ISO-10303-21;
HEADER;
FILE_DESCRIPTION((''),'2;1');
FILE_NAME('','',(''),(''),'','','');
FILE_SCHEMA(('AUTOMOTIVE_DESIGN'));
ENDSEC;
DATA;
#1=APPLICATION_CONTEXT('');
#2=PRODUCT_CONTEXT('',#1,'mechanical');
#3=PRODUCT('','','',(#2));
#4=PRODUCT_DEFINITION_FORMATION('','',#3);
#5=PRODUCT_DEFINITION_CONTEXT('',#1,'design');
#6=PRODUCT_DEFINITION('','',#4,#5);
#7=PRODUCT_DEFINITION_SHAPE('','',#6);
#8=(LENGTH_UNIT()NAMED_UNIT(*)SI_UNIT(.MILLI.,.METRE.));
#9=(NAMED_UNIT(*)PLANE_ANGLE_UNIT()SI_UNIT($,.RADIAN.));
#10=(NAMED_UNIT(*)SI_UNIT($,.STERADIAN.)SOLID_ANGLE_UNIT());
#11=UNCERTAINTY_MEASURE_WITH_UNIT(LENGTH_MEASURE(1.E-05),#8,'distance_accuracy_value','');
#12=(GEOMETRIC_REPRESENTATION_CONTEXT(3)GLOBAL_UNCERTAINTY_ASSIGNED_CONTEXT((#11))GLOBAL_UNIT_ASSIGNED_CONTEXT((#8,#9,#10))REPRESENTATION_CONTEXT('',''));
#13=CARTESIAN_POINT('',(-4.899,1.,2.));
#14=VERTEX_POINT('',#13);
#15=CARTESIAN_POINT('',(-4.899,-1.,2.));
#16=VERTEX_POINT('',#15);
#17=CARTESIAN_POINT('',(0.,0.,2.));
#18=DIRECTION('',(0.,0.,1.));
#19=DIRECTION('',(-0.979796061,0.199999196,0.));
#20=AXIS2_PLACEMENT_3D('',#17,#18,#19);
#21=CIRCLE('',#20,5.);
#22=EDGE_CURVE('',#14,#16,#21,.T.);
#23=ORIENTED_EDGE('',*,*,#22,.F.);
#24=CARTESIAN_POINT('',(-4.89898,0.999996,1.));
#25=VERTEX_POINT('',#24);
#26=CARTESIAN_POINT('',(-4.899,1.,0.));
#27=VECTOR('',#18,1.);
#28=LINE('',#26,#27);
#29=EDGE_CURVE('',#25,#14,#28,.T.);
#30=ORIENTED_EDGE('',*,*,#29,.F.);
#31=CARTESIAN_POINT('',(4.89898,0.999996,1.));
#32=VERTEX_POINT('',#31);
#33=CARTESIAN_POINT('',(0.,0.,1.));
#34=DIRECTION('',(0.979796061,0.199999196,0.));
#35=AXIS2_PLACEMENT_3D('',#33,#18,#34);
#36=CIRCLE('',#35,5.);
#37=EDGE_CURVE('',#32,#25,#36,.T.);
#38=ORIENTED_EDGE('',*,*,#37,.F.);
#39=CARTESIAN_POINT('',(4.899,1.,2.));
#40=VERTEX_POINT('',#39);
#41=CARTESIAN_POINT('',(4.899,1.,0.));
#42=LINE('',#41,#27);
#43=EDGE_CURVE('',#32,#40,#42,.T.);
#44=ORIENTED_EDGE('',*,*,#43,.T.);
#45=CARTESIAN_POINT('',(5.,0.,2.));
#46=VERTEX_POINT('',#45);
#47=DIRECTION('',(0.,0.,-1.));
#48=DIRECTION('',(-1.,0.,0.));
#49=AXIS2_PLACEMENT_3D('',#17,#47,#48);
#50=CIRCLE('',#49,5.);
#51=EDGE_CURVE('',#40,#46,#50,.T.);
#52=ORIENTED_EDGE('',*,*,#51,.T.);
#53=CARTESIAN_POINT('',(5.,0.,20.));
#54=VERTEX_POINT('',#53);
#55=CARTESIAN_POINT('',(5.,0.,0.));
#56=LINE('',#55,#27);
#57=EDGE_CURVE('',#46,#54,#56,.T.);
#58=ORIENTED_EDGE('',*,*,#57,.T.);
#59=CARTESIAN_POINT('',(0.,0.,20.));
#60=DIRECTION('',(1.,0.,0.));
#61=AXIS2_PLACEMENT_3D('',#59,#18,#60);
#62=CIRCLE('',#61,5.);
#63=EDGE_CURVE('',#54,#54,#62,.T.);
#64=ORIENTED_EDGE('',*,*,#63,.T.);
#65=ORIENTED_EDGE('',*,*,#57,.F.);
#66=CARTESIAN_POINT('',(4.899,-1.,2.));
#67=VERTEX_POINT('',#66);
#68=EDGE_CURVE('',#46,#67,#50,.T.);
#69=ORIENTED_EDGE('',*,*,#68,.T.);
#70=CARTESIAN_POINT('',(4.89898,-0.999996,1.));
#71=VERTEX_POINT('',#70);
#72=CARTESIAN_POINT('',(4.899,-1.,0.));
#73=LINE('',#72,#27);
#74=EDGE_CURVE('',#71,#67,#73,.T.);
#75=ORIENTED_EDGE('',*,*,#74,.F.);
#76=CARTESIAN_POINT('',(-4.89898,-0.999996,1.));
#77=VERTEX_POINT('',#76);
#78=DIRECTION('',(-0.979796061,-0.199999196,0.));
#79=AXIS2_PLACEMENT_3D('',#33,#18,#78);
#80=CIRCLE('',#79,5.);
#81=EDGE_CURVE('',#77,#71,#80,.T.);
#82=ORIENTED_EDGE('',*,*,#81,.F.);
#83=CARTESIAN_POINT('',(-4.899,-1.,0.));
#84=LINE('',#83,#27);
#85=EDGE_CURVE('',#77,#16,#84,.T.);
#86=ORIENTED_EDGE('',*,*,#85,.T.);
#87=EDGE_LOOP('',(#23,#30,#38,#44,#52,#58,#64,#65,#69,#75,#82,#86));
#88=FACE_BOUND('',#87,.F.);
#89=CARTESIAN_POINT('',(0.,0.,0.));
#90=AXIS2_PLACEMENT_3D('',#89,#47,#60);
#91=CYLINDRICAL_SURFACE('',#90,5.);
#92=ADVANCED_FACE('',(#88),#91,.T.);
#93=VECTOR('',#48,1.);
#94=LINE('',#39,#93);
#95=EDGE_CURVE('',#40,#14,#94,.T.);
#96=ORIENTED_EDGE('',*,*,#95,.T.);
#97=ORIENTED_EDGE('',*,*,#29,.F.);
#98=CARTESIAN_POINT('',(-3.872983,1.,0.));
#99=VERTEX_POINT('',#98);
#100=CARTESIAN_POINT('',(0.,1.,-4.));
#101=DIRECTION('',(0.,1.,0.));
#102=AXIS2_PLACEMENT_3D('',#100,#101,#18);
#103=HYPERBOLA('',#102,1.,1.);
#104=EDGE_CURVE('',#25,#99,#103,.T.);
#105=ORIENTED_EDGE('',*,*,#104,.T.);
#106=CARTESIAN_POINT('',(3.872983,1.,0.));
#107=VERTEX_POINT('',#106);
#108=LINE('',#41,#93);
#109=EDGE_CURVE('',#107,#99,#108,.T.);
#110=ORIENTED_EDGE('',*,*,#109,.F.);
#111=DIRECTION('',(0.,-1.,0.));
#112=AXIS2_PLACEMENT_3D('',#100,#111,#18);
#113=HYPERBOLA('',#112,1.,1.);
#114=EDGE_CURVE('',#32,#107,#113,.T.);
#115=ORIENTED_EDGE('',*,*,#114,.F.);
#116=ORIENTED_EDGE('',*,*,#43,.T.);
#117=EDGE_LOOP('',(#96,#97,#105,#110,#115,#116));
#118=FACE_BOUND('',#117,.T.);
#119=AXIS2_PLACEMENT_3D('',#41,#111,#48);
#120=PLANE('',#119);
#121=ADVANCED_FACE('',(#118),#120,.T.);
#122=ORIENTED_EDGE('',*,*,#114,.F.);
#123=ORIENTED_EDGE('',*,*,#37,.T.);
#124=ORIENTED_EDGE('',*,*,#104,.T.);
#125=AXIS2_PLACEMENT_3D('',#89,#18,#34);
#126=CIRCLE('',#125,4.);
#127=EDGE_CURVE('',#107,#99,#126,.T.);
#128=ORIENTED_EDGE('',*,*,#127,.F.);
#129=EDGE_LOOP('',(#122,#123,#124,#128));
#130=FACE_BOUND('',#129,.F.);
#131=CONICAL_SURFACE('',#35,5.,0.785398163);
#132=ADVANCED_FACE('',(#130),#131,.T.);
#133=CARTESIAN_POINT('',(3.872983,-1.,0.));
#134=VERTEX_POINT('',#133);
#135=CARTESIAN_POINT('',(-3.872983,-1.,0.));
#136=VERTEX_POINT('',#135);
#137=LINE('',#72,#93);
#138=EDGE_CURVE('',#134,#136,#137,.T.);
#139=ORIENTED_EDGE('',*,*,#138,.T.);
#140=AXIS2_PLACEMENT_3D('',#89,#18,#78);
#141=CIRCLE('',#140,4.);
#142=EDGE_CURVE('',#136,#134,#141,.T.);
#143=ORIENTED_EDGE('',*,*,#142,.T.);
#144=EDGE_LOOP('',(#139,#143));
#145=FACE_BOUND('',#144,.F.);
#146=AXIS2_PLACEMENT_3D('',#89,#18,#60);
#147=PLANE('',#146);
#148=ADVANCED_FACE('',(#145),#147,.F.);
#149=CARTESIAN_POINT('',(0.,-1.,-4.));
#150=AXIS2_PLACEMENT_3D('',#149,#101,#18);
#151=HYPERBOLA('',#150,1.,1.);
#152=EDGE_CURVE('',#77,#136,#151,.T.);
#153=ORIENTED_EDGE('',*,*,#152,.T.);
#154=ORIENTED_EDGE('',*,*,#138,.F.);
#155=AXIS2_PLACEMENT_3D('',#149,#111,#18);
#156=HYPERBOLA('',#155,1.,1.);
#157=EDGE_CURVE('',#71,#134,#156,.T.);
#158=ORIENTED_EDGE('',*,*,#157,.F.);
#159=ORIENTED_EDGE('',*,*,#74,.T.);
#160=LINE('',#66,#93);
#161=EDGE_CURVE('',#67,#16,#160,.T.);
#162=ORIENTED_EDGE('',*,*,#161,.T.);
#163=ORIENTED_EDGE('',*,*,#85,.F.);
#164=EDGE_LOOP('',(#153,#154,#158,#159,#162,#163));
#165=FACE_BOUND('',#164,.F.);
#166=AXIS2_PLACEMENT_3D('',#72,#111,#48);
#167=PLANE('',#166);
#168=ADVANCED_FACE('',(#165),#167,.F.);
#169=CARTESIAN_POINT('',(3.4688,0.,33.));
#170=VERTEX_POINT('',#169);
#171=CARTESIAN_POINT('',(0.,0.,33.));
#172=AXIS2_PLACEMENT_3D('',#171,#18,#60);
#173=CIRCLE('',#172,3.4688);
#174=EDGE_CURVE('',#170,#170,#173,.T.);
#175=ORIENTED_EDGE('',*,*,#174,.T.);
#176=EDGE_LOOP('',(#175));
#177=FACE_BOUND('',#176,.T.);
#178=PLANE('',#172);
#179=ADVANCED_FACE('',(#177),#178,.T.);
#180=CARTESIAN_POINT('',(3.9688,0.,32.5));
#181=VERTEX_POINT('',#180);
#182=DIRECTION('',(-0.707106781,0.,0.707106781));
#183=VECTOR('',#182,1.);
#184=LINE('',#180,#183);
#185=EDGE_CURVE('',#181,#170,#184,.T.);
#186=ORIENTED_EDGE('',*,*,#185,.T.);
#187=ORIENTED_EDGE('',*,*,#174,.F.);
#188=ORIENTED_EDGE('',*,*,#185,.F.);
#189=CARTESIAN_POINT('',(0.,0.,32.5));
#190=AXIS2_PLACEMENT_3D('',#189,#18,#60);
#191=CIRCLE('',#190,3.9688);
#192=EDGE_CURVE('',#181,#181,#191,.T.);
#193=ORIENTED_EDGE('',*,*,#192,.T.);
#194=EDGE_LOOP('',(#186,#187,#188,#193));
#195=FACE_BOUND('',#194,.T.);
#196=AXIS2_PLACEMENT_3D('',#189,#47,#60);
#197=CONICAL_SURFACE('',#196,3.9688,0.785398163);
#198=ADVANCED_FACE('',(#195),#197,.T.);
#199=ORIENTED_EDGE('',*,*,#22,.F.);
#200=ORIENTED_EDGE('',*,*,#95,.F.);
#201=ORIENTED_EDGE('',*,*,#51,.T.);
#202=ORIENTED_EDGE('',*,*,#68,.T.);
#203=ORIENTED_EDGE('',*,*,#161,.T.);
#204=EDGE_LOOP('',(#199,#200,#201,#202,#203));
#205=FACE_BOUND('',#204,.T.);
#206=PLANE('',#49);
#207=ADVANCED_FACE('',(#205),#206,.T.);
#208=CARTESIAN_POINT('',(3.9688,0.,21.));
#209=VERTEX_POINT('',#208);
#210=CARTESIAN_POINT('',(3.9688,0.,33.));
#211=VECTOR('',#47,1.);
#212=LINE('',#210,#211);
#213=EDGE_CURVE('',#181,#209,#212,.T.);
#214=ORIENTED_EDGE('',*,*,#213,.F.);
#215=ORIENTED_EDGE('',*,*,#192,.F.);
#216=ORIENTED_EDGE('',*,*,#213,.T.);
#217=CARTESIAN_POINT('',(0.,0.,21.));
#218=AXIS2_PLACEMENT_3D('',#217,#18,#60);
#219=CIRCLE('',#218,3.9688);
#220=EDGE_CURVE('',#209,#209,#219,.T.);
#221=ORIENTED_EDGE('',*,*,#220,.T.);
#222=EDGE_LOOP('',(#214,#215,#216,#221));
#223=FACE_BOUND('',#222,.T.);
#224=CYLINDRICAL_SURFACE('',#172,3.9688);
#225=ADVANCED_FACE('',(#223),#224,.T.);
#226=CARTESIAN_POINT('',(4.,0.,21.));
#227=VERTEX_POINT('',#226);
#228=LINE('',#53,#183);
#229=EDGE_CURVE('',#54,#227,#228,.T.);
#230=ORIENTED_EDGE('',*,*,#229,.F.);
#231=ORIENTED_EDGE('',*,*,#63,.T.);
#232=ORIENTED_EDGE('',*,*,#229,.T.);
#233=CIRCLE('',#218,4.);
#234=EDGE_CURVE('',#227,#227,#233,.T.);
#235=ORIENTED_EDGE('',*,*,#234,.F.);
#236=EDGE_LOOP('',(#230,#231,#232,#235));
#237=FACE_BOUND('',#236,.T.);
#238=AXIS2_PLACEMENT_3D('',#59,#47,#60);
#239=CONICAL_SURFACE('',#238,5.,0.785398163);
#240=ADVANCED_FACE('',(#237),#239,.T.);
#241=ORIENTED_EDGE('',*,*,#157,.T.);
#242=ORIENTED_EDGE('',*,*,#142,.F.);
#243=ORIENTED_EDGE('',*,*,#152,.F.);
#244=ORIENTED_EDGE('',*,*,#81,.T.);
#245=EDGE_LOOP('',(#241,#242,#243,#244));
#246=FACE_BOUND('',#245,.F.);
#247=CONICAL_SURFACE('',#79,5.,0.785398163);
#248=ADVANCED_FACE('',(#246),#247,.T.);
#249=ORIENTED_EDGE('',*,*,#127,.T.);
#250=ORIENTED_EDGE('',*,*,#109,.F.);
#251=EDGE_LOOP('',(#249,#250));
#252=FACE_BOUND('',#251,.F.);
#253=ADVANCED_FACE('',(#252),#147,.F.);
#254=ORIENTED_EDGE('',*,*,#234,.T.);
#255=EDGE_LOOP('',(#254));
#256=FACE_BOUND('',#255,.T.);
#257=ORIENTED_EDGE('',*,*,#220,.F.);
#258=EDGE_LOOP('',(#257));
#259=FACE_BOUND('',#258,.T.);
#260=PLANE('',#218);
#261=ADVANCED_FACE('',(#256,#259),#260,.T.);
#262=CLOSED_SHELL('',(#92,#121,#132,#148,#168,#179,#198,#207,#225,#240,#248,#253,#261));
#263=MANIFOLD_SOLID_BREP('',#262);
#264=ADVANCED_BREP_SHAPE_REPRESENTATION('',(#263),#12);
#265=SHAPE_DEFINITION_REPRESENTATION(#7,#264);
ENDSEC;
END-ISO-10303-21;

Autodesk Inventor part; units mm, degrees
ref_plane "YZ Plane" through (0, 0, 0) normal (1, 0, 0) x (0, 1, 0)
ref_plane "XZ Plane" through (0, 0, 0) normal (0, 1, 0) x (-1, 0, 0)
ref_plane "XY Plane" through (0, 0, 0) normal (0, 0, 1) x (1, 0, 0)
sketch "Sketch1" plane through (0, 0, 0) normal (0, 0, 1) x (1, 0, 0)
  circle A0 centre (0, 0) radius 5
  dimension "d0" = 10
extrude "Extrusion1" add sketch "Sketch1" along normal blind 33
sketch "Sketch2" plane through (0, 0, 33) normal (0, 0, 1) x (1, 0, 0)
  circle A0 centre (0, 0) radius 5 projected
  circle A1 centre (0, 0) radius 3.9688
  dimension "d3" = 7.9375
extrude "Extrusion2" cut sketch "Sketch2" against normal blind 12
sketch "Sketch3" plane through (0, 0, 0) normal (0, 0, -1) x (-1, 0, 0)
  circle A0 centre (0, 0) radius 5 projected
  line L0 (-4.899, 1) -> (4.899, 1)
  line L1 (-4.899, -1) -> (4.899, -1)
  arc A1 (-4.899, 1) -> (-4.899, -1) centre (0, 0) ccw
  arc A2 (4.899, -1) -> (4.899, 1) centre (0, 0) ccw
  dimension "d6" = 2
  dimension "d8" = 1
extrude "Extrusion3" cut sketch "Sketch3" against normal blind 2 contours A0 L1 L0
chamfer "Chamfer1" distance 1 angle 45 3 edges at (0, 5, 0) (0, -5, 0) (-5, 0, 21)
thread "Thread1" size "5/16-18 UNC" class "2A" standard "ANSI Unified Screw Threads" full length
chamfer "Chamfer2" distance 0.5 angle 45 1 edges at (-3.9688, 0, 33)
properties part number "PINO ROSCADO(25)" material "Carbon Steel"
